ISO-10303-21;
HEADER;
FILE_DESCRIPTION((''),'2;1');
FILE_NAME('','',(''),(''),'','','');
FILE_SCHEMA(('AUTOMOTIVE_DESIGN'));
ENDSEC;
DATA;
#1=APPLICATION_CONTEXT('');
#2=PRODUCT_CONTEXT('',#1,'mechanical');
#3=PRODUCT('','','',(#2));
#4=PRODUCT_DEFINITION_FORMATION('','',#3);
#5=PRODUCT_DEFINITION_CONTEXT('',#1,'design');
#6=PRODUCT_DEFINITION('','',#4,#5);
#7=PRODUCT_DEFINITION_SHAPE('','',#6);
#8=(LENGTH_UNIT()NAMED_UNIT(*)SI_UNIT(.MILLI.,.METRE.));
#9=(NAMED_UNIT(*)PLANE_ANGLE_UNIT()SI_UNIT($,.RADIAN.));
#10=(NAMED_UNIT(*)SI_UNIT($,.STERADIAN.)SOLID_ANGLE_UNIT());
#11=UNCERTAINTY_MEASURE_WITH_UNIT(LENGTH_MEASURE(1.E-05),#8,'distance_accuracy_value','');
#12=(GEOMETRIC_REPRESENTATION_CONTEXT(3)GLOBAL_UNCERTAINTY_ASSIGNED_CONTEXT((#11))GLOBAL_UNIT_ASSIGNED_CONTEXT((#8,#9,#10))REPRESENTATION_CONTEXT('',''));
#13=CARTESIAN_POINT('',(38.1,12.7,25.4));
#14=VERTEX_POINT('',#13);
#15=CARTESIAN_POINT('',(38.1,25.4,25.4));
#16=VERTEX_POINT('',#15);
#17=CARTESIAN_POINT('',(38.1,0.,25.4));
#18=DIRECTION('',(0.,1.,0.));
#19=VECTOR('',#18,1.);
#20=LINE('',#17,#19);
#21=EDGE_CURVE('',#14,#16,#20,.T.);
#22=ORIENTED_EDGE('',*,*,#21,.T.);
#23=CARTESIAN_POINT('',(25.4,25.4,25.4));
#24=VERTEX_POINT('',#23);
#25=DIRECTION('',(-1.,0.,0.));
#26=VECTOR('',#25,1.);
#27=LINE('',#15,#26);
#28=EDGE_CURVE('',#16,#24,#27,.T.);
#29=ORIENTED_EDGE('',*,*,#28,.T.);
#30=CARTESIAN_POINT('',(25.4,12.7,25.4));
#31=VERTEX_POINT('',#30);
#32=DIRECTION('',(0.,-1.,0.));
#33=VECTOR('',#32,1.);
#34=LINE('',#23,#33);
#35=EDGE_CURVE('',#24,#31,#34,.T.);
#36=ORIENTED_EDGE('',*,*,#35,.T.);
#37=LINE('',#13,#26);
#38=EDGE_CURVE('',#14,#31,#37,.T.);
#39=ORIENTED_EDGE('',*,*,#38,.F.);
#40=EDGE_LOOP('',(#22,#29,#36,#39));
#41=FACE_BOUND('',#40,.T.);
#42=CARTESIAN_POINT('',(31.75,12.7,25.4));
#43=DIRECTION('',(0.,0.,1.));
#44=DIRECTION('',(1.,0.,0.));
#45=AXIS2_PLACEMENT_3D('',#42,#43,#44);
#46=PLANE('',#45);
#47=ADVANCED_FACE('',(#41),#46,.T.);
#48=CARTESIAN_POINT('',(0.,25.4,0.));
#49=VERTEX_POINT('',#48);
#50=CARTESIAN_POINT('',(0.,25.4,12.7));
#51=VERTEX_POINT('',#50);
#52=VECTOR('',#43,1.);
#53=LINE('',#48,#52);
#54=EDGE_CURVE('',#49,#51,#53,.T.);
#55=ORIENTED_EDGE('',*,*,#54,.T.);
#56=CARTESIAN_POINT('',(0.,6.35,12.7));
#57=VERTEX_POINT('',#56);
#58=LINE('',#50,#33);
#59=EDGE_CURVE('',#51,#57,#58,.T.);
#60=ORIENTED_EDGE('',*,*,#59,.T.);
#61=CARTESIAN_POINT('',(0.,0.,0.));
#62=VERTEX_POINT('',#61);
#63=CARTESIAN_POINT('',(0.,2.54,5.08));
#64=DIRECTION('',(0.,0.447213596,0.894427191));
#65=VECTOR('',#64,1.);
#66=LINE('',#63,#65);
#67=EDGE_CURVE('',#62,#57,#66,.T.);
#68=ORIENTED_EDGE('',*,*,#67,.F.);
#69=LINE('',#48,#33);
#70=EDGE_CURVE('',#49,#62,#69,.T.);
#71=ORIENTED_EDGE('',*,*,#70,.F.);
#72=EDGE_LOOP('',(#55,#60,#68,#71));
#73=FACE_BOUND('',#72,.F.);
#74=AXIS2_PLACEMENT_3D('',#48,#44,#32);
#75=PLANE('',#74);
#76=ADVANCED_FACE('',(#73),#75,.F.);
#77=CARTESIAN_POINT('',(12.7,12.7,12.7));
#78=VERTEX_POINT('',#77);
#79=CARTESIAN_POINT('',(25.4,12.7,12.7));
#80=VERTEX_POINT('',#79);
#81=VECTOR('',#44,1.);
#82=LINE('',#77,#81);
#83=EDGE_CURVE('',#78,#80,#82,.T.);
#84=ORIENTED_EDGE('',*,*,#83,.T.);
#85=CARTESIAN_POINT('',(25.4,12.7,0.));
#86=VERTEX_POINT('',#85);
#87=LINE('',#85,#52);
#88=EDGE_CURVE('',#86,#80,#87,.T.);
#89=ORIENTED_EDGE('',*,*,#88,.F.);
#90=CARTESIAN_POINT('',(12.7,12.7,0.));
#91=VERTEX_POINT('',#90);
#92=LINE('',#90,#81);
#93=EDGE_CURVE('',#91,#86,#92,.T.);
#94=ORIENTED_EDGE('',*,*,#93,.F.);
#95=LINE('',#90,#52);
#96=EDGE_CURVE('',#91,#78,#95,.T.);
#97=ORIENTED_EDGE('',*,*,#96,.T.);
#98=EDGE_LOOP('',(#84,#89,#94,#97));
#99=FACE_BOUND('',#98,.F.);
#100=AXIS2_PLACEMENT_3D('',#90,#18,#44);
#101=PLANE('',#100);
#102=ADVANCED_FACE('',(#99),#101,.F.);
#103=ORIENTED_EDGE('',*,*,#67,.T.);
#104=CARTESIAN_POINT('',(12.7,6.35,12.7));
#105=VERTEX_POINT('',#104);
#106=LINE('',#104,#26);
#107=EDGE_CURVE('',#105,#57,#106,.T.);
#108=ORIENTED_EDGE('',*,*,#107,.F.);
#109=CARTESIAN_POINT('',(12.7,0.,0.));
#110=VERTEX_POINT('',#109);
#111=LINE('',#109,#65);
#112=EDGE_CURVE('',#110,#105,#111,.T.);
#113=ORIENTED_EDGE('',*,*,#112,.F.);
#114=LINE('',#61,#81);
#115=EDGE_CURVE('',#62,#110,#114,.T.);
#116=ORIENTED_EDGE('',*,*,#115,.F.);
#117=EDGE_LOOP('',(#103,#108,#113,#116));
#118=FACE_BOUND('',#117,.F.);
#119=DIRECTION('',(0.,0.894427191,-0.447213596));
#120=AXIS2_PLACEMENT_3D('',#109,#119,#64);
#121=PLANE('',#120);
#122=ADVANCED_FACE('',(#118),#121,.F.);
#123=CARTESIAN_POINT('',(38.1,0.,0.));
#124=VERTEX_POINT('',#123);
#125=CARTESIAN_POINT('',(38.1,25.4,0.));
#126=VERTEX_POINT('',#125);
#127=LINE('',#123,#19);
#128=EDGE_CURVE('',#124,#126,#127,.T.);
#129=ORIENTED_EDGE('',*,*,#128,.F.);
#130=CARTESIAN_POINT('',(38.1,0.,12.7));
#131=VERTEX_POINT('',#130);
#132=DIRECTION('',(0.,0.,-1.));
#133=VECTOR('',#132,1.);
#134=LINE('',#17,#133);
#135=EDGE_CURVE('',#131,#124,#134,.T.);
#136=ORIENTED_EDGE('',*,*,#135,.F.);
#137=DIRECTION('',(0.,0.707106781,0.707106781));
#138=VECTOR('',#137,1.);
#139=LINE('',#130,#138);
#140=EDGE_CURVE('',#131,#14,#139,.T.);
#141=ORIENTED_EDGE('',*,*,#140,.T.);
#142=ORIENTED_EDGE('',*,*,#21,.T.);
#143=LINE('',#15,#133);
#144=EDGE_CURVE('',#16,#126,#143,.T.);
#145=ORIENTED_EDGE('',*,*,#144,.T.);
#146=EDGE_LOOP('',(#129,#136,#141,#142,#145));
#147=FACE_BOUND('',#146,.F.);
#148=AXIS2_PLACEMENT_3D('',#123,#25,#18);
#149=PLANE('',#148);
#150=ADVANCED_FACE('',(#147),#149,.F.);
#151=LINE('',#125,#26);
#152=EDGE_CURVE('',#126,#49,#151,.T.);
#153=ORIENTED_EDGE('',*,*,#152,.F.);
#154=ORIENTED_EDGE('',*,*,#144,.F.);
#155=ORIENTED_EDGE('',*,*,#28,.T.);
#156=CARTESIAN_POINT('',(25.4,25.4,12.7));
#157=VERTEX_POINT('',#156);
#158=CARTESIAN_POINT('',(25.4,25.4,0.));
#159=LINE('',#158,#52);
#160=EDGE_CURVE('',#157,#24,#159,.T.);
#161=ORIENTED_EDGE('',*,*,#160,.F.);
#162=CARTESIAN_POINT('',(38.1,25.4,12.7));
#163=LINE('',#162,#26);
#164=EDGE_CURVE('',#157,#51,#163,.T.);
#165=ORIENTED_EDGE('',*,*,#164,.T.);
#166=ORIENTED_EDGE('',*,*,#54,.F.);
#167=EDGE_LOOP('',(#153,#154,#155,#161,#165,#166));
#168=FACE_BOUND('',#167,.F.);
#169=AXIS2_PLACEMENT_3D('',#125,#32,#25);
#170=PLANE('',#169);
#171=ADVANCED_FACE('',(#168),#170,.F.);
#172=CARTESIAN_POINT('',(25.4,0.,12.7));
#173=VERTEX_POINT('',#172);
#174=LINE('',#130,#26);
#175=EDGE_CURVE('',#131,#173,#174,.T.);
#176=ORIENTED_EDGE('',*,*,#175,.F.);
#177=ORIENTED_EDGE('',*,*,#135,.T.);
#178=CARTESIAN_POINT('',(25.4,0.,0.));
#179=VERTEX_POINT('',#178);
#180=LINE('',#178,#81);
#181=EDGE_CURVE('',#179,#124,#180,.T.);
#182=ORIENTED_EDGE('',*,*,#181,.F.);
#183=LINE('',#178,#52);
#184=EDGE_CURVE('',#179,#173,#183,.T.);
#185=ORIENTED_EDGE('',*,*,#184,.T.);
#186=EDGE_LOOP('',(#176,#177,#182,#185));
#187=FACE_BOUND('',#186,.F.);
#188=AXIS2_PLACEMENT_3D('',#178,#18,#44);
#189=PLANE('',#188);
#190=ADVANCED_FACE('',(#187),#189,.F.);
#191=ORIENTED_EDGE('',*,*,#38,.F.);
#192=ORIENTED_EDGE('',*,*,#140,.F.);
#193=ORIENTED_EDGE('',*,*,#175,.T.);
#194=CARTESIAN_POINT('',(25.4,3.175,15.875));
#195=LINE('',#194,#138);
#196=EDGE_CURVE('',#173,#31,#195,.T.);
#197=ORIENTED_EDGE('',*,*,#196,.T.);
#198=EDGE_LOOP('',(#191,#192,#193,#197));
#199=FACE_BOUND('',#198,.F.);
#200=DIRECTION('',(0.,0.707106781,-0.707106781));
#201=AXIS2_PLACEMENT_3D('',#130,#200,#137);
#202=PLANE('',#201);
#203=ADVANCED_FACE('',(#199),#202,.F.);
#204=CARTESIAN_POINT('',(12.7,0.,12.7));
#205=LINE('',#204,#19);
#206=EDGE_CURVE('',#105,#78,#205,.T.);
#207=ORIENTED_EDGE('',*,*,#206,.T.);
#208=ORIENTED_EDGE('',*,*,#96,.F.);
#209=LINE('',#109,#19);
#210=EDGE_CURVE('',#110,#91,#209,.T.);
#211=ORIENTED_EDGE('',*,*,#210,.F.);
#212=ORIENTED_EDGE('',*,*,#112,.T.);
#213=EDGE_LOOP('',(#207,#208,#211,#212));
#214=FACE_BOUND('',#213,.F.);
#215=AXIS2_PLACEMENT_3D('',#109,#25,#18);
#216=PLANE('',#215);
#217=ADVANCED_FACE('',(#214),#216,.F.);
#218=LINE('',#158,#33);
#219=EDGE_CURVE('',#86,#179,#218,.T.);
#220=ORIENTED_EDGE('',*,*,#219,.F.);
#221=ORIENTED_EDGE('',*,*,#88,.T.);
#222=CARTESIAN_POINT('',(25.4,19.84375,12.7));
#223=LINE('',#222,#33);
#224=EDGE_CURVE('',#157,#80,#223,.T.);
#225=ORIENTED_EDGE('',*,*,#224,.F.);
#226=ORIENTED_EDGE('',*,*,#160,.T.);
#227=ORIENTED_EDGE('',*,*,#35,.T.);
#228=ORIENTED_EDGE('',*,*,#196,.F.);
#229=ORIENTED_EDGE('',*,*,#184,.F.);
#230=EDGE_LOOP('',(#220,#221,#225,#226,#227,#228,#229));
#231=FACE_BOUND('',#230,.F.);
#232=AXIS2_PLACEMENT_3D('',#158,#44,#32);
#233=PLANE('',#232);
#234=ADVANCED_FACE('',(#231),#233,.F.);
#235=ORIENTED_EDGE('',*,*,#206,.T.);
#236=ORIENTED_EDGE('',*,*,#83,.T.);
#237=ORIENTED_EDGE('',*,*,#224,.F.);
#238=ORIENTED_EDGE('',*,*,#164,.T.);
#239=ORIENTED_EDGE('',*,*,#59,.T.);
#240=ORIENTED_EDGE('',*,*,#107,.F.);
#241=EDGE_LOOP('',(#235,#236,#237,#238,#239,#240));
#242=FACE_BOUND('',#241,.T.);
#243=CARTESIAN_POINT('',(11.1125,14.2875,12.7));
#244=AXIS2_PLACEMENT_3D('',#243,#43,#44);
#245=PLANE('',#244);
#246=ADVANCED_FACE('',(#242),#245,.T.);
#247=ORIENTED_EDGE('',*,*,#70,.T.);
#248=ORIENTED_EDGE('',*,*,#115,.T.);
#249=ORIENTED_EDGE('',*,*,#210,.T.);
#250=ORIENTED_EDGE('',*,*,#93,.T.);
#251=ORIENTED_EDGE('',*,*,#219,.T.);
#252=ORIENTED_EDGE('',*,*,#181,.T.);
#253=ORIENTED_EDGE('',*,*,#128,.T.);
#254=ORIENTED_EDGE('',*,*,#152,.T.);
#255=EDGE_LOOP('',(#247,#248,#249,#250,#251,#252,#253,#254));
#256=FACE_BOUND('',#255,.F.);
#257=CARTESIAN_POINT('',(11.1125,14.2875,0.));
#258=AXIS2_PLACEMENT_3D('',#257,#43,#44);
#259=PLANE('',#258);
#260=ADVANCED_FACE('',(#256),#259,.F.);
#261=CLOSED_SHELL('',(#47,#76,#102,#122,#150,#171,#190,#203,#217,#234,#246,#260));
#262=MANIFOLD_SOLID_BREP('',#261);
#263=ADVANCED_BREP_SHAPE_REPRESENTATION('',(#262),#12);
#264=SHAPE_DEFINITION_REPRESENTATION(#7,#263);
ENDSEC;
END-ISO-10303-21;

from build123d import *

# Parameters (mm, degrees)
F1_DEPTH = 25.4
F2_DEPTH = 12.7
F4_DEPTH = 25.4
F6_DEPTH = 25.4


with BuildPart() as f1:
    # F0 (on Top) → F1 (new body)
    with BuildSketch(Plane.XY):
        Polygon((38.1, 25.4), (25.4, 25.4), (25.4, 12.7), (25.4, 0), (38.1, 0), align=None)
    extrude(amount=F1_DEPTH)

    # F0 (on Top) → F2 (join)
    with BuildSketch(Plane.XY):
        Polygon((0, 25.4), (0, 0), (12.7, 0), (12.7, 12.7), (25.4, 12.7), (25.4, 25.4), align=None)
        Polygon((38.1, 25.4), (25.4, 25.4), (25.4, 12.7), (25.4, 0), (38.1, 0), align=None)
    extrude(amount=F2_DEPTH)

    # F3 (on face) → F4 (cut)
    with BuildSketch(Plane.YZ.offset(12.7)):
        Polygon((0, 0), (6.35, 12.7), (0, 12.7), align=None)
    extrude(amount=-F4_DEPTH, mode=Mode.SUBTRACT)

    # F5 (on face) → F6 (cut)
    with BuildSketch(Plane.YZ.offset(38.1)):
        Polygon((0, 12.7), (12.7, 25.4), (0, 25.4), align=None)
    extrude(amount=-F6_DEPTH, mode=Mode.SUBTRACT)


solid = f1.part
